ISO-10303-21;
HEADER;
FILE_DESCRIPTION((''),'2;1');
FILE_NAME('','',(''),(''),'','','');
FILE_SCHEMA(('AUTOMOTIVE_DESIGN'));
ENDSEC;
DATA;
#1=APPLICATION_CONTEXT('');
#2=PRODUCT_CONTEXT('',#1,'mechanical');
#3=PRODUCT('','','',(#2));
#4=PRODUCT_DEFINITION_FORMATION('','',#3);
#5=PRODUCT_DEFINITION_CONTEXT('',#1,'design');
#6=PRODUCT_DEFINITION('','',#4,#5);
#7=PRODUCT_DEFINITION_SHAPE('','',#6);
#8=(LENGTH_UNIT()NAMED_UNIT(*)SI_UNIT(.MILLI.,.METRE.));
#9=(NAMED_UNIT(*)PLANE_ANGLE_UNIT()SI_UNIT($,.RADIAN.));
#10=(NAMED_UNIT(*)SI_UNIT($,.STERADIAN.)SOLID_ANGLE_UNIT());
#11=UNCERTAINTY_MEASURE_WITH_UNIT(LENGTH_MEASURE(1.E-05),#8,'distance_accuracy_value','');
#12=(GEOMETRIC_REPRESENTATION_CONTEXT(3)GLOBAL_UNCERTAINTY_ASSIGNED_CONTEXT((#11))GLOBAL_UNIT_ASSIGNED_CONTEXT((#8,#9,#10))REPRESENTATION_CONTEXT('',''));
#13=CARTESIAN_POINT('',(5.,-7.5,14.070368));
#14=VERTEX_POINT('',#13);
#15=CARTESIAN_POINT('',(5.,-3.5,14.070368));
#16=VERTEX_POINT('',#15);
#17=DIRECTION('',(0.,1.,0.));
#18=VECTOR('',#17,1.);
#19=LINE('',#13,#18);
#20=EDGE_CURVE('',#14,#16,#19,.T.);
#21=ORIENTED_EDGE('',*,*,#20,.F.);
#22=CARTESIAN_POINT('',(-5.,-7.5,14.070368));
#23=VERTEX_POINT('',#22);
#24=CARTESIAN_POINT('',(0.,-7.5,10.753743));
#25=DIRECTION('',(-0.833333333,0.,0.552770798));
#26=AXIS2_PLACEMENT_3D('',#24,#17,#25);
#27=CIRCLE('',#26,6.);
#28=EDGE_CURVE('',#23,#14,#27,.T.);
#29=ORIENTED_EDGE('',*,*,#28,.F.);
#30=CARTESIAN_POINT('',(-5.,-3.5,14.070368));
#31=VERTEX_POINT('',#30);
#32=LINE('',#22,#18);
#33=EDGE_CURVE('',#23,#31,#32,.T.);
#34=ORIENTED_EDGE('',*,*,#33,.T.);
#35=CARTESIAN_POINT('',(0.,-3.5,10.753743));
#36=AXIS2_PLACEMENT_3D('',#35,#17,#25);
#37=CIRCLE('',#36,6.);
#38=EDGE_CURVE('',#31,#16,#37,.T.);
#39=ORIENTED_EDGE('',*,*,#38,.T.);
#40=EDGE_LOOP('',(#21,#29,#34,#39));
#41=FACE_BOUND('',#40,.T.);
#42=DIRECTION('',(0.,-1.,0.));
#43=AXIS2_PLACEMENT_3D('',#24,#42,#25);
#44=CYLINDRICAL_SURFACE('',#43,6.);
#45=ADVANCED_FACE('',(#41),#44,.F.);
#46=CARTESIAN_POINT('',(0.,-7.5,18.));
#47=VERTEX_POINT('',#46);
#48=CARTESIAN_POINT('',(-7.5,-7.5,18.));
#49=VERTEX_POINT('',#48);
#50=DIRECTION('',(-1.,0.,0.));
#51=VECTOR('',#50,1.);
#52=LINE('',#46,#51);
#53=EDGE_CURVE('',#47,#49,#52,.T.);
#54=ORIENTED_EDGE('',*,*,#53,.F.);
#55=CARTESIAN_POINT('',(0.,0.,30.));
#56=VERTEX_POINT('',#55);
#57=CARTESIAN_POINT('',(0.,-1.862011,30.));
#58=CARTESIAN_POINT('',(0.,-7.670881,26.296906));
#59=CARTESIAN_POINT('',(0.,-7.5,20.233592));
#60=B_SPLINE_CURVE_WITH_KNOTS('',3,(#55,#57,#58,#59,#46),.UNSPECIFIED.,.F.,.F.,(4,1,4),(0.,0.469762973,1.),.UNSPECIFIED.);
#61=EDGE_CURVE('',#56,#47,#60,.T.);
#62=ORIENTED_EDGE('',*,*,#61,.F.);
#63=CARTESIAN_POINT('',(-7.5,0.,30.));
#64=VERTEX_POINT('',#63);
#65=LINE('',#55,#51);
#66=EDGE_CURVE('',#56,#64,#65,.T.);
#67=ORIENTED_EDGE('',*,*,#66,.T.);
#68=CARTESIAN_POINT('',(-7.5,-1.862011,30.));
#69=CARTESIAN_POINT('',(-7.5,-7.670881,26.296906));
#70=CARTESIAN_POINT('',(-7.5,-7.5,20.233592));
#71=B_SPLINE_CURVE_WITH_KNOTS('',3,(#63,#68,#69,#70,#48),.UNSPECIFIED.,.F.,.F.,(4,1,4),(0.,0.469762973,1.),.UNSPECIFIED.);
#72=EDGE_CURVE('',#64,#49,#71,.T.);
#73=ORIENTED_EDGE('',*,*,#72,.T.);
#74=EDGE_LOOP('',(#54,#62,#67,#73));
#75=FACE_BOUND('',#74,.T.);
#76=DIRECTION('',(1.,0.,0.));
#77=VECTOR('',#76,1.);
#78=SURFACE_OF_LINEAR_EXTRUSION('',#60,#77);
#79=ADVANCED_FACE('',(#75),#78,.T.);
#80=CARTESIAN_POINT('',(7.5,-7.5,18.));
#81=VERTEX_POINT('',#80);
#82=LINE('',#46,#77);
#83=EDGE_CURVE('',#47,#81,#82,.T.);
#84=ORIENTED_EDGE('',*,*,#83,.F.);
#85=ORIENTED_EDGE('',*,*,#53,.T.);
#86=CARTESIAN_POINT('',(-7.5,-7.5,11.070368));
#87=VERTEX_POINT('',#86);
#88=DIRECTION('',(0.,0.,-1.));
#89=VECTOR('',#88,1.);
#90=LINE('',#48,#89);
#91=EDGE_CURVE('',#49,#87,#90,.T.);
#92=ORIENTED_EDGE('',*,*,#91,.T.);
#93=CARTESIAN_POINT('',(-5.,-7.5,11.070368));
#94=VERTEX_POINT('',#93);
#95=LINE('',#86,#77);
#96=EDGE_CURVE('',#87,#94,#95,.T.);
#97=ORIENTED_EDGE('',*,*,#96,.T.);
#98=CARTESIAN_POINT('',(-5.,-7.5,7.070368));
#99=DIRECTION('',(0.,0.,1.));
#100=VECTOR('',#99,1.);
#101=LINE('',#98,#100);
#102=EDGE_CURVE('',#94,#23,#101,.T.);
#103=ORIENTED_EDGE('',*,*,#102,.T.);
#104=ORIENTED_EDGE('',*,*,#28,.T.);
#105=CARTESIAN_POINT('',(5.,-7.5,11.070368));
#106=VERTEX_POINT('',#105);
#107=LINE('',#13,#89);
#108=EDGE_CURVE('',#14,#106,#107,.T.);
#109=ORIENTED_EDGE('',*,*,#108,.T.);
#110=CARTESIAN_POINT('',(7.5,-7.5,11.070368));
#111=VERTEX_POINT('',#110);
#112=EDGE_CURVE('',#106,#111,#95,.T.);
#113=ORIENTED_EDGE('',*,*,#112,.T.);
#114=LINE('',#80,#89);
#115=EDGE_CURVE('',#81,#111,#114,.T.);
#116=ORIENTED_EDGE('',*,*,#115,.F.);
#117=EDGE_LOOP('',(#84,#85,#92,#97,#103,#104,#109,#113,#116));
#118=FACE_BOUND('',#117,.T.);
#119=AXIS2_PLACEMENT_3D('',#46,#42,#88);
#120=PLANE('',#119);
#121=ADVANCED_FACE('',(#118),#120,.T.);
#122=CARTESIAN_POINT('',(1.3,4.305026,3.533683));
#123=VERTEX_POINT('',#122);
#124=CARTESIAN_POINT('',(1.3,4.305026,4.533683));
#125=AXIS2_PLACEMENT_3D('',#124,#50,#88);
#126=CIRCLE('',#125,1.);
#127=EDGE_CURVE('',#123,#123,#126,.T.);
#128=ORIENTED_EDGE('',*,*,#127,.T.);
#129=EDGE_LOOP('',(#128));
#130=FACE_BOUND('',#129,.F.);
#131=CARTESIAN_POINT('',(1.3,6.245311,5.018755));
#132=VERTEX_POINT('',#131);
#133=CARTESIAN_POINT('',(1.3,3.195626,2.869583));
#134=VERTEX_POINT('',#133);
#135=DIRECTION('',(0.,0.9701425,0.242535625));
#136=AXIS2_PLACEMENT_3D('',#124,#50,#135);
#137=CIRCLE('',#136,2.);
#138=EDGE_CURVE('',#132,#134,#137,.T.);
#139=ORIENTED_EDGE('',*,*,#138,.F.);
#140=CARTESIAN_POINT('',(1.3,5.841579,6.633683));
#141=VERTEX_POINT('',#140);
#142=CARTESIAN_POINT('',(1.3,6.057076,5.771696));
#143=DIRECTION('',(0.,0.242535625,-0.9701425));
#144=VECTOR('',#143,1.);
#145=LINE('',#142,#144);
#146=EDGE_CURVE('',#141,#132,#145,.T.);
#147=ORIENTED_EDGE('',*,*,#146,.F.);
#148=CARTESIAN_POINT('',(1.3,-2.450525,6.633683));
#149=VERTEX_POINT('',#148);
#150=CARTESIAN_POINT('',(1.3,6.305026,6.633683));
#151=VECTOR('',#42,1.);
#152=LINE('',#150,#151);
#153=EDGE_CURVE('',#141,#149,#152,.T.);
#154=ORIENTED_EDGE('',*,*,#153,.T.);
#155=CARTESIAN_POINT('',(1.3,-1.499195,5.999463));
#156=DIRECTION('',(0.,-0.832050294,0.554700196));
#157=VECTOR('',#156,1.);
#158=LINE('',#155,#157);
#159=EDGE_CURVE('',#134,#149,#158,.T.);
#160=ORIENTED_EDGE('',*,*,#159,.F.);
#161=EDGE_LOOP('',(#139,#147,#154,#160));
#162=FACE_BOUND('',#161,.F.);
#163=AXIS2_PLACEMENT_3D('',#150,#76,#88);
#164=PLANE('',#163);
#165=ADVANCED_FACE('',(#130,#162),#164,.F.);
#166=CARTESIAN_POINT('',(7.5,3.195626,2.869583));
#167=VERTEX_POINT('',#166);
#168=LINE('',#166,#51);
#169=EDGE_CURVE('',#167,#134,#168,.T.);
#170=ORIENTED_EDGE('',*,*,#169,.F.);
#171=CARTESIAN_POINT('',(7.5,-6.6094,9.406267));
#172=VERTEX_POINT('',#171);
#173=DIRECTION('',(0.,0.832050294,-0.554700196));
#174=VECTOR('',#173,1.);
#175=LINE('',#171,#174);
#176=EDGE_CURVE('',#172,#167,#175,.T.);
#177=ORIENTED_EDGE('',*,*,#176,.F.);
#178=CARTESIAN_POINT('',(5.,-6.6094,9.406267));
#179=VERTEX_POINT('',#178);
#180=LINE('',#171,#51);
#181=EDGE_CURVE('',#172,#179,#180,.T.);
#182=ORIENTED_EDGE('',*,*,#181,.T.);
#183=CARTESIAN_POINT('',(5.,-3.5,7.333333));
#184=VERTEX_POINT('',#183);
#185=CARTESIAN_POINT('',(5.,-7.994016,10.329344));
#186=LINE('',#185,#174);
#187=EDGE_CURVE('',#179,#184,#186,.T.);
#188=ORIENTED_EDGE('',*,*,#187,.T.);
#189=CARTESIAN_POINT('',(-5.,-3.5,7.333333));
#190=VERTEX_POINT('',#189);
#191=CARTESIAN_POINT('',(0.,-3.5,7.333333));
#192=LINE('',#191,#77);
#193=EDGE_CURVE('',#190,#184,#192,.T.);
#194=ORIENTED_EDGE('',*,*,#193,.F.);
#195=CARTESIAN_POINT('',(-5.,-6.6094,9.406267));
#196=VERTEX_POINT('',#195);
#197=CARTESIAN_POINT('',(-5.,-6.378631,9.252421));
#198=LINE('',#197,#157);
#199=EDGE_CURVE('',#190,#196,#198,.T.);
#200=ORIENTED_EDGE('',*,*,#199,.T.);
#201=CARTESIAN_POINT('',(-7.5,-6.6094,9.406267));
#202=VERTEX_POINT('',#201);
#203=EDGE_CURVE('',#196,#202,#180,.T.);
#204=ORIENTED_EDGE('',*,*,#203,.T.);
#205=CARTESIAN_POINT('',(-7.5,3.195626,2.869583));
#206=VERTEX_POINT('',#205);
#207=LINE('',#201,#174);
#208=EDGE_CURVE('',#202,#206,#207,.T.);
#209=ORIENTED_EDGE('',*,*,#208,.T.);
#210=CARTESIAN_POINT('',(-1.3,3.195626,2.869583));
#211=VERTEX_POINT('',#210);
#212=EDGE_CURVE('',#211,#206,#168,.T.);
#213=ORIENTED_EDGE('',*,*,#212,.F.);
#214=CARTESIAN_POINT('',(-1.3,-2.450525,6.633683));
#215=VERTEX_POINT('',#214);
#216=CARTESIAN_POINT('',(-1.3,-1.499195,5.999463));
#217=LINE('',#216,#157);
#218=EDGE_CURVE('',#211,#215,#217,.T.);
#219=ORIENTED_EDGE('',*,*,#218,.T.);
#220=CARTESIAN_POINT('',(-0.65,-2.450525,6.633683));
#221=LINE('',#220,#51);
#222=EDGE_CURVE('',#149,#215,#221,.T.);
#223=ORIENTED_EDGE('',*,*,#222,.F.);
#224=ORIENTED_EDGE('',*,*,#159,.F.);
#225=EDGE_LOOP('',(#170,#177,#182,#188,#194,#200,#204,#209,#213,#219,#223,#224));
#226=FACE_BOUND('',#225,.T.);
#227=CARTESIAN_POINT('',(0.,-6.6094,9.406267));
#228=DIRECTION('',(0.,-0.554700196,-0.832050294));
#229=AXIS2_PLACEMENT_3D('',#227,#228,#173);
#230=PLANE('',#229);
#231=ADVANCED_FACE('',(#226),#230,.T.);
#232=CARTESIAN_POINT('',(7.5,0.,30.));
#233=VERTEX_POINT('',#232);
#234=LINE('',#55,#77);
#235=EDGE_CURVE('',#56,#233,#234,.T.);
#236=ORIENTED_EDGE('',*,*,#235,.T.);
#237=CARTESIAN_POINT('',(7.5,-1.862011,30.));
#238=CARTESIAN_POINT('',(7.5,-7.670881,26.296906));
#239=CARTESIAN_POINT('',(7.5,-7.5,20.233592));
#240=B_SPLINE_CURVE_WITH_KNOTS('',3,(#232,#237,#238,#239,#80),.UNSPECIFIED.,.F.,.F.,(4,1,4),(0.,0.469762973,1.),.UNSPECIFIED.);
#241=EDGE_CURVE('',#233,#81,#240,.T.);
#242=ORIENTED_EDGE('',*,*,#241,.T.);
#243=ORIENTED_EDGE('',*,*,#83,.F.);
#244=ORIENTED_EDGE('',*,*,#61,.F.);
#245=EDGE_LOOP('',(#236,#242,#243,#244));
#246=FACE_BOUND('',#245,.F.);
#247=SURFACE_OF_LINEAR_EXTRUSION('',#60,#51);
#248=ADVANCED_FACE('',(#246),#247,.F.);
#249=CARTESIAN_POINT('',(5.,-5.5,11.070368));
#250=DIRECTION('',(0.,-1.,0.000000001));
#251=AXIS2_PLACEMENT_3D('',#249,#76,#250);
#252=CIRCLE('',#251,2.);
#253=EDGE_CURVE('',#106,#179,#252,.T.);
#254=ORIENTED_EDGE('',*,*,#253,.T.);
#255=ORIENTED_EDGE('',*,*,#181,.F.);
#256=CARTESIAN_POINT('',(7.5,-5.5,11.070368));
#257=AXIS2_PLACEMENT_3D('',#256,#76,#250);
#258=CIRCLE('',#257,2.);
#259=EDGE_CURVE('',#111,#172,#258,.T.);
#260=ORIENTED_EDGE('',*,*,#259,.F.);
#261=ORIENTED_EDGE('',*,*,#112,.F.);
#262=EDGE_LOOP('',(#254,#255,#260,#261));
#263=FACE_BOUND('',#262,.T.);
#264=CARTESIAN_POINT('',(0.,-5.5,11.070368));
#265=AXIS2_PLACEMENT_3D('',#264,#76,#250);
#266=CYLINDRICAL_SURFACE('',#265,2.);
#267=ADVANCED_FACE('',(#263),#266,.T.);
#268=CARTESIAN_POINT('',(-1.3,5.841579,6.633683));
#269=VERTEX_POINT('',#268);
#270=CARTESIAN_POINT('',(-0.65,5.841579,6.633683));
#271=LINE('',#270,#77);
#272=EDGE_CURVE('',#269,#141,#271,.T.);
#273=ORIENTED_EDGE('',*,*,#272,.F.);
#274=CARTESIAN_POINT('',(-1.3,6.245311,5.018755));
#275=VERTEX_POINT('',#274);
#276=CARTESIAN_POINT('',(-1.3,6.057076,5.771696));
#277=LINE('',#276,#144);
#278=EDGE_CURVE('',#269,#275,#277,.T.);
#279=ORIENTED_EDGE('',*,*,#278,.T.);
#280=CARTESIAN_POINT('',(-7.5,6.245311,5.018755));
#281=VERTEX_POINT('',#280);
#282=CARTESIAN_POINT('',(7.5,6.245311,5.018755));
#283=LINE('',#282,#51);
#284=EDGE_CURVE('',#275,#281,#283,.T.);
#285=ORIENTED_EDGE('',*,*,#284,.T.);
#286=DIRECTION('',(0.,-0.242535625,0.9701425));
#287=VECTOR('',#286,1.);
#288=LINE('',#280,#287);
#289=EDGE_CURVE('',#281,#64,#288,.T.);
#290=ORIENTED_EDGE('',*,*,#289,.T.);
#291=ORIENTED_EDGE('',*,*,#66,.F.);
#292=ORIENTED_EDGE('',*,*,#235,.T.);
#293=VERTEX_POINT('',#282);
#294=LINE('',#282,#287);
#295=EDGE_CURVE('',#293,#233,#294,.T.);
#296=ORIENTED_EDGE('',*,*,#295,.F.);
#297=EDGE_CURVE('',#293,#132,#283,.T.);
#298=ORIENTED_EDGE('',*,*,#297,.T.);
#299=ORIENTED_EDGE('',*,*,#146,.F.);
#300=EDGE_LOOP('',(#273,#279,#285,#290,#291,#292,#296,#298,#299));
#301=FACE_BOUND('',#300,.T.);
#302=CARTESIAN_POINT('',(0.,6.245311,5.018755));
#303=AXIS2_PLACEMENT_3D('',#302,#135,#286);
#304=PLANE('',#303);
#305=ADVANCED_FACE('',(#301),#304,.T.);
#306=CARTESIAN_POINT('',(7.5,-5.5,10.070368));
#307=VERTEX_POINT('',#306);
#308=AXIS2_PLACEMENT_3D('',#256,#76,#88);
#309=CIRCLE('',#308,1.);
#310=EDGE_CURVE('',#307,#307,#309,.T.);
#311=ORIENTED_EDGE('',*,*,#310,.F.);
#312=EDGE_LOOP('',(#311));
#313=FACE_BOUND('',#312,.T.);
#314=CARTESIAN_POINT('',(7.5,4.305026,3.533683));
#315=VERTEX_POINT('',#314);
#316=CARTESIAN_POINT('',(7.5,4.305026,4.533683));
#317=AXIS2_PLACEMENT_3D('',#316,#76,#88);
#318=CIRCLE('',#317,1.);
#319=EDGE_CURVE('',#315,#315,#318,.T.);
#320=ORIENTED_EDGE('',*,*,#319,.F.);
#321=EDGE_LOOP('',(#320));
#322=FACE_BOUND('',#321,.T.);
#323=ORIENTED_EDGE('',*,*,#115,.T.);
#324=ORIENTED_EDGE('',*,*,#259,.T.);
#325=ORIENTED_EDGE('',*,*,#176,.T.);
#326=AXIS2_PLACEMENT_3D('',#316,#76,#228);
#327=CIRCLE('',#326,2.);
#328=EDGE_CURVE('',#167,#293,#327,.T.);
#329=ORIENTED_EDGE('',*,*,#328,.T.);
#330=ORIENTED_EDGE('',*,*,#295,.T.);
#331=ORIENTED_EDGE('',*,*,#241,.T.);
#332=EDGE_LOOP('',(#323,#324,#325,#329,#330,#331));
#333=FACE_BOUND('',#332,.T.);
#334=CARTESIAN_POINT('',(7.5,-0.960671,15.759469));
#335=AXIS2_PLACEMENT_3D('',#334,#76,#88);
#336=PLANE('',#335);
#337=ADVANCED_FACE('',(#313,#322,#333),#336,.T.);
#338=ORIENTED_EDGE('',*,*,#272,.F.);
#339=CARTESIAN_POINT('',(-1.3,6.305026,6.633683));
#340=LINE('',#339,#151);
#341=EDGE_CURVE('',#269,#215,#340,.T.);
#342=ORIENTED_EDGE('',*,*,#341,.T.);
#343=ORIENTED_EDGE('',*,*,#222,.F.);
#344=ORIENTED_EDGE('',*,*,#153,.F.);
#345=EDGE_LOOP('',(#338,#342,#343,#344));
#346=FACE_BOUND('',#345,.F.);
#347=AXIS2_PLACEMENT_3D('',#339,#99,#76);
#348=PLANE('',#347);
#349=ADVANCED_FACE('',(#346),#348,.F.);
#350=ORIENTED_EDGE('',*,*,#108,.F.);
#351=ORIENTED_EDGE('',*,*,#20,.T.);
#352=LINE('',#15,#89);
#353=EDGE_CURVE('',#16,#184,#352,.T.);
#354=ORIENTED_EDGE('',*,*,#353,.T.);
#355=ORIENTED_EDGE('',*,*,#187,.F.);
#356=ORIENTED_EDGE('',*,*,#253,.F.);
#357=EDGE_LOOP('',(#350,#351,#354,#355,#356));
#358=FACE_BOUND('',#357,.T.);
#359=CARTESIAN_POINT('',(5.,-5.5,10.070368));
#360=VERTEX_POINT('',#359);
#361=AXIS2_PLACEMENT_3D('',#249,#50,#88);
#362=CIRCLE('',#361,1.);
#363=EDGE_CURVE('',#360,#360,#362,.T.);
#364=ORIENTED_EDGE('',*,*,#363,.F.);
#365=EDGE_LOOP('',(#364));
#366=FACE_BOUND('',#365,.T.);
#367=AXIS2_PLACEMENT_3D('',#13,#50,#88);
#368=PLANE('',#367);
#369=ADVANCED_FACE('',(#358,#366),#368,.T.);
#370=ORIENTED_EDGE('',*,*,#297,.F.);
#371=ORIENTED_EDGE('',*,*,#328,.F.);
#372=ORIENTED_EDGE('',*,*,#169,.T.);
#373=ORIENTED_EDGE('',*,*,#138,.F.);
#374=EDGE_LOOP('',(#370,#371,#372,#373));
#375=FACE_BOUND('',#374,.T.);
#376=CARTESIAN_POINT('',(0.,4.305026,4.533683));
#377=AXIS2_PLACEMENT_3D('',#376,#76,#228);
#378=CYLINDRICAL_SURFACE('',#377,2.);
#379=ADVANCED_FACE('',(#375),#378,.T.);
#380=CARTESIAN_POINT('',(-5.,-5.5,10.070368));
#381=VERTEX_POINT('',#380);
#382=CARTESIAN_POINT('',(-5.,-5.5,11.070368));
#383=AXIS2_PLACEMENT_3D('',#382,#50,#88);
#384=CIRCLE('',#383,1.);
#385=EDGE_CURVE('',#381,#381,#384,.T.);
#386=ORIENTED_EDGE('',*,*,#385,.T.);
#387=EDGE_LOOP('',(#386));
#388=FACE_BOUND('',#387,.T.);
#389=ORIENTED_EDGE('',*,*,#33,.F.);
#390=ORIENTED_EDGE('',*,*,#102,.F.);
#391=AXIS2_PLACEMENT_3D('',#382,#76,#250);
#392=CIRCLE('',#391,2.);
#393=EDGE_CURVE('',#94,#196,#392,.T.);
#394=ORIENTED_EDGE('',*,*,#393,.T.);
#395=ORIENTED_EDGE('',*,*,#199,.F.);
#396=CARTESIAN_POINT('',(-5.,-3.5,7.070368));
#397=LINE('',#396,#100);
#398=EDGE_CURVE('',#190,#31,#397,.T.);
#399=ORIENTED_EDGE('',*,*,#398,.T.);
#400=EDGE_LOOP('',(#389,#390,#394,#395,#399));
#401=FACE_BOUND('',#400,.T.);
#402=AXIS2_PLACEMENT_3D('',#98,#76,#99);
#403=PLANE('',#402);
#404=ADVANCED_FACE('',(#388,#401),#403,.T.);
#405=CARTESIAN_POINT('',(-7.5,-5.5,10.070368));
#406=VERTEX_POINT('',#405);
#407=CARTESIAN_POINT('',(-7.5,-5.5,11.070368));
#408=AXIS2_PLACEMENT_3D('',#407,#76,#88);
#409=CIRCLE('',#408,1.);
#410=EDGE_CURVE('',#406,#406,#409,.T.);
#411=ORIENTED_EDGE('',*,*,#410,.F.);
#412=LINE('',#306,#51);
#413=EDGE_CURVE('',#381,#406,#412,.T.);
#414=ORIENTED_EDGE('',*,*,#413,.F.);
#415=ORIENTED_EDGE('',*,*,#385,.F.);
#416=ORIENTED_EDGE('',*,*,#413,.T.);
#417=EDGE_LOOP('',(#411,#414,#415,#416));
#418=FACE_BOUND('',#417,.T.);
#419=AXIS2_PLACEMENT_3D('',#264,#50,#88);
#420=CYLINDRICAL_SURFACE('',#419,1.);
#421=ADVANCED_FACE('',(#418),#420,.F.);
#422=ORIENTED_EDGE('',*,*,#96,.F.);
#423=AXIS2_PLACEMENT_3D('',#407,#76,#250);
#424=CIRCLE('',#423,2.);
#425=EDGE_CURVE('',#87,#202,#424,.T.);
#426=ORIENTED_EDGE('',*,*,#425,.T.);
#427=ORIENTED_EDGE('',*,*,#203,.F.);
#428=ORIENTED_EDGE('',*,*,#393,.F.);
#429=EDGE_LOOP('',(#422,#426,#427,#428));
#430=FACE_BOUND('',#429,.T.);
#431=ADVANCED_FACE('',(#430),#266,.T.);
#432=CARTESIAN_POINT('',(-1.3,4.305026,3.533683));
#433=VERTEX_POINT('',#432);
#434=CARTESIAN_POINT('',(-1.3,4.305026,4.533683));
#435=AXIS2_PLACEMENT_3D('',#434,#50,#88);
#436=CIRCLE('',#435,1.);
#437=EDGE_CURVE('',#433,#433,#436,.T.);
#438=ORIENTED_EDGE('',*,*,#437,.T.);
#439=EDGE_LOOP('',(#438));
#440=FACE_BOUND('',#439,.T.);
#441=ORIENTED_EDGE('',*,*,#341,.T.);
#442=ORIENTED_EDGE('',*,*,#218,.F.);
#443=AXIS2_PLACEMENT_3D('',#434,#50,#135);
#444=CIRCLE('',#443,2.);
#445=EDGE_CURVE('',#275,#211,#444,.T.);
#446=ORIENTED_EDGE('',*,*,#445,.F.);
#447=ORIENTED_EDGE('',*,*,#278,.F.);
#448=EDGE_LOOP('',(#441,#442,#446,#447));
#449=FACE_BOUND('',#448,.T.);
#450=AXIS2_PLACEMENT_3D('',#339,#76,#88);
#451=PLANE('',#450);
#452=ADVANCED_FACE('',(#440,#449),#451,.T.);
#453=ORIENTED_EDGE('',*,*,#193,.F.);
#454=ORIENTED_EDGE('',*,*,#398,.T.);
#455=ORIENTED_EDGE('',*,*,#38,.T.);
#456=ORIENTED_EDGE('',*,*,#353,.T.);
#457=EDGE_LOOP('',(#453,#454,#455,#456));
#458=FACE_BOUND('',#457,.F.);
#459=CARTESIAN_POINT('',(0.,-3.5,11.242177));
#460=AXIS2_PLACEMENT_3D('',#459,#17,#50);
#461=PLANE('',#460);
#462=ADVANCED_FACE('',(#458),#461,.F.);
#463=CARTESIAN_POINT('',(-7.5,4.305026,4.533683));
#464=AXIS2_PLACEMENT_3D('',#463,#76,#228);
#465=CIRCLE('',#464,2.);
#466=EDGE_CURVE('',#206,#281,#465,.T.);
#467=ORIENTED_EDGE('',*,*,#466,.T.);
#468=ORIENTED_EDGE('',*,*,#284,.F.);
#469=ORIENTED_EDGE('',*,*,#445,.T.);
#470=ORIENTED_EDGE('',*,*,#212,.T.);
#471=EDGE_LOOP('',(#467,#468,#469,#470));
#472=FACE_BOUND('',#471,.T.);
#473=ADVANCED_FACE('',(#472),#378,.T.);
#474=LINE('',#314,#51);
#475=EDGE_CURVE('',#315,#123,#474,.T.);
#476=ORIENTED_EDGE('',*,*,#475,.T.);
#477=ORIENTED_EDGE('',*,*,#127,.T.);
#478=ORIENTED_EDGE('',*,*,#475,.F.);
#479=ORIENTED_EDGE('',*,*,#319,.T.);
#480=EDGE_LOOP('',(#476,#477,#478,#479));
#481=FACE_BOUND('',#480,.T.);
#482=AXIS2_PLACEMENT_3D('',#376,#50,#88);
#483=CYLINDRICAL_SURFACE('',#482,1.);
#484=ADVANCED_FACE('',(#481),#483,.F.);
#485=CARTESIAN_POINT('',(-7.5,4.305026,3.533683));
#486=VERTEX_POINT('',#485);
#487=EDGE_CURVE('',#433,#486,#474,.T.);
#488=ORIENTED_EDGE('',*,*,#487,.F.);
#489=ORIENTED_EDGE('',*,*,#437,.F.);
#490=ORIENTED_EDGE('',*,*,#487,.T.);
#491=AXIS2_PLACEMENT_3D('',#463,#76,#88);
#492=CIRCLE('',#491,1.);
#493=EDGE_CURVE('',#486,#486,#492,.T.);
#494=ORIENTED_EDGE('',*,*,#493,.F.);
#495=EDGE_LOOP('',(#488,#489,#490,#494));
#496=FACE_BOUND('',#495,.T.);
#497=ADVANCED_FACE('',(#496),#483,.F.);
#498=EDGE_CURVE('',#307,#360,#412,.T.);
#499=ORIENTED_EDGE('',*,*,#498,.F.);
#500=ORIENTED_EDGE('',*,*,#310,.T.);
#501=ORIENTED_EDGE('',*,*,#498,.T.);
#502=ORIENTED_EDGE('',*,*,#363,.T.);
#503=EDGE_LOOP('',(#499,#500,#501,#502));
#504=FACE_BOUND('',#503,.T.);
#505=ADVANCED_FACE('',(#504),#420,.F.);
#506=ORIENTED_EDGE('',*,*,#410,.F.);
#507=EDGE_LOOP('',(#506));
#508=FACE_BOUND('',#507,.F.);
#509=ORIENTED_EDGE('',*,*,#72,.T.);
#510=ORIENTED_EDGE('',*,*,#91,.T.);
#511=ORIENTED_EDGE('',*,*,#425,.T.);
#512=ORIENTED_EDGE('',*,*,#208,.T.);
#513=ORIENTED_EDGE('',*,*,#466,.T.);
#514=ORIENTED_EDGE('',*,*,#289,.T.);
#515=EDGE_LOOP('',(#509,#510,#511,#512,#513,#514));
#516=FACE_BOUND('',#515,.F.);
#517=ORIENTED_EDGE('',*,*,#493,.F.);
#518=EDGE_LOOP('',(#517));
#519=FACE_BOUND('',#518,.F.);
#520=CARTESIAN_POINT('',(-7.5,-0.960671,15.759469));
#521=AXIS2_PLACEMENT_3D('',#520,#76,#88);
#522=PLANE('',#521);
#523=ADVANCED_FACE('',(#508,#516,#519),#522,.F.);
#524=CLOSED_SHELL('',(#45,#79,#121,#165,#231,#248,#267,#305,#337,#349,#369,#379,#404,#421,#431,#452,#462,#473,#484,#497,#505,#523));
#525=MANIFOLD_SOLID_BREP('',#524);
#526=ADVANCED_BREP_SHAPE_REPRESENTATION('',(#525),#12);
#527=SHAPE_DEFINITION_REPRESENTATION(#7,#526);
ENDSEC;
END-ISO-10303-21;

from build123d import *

# Parameters (mm, degrees)
SKETCH2_R           = 1
BOSS_EXTRUDE1_DEPTH = 7.5
SKETCH4_W           = 2.6
SKETCH4_H           = 4.1
CUT_EXTRUDE1_DEPTH  = 15
CUT_EXTRUDE3_DEPTH  = 4


with BuildPart() as part:
    # Sketch2 → Boss-Extrude1 (new body, symmetric)
    with BuildSketch(Plane(origin=(0, 0, 0), x_dir=(0, 0, -1), z_dir=(1, 0, 0))):
        with BuildLine():
            Line((-5.018754521, 6.24531137), (-30, 0))
            add(Edge.make_bspline(
                [(-30, 0), (-30, -1.862010614), (-26.296905553, -7.670881077), (-20.233591891, -7.5), (-18, -7.5)],
                knots=[0, 0, 0, 0, 0.469762973, 1, 1, 1, 1], degree=3))
            Line((-18, -7.5), (-11.070367517, -7.5))
            ThreePointArc((-11.070367517, -7.5), (-10.126651666, -7.263349198), (-9.406266928, -6.609400392))
            Line((-9.406266928, -6.609400392), (-2.869582682, 3.195625977))
            ThreePointArc((-2.869582682, 3.195625977), (-2.89885215, 5.457123243), (-5.018754521, 6.24531137))
        make_face()
        with Locations((-4.533683271, 4.30502637)):
            Circle(SKETCH2_R, mode=Mode.SUBTRACT)
        with Locations((-11.070367517, -5.5)):
            Circle(SKETCH2_R, mode=Mode.SUBTRACT)
    extrude(amount=BOSS_EXTRUDE1_DEPTH, both=True)

    # Sketch4 → Cut-Extrude1 (cut)
    with BuildSketch(Plane(origin=(0, 6.30502637, 0), x_dir=(1, 0, 0), z_dir=(0, 1, 0))):
        with Locations((0, -4.583683271)):
            Rectangle(SKETCH4_W, SKETCH4_H)
    extrude(amount=-CUT_EXTRUDE1_DEPTH, mode=Mode.SUBTRACT)

    # Sketch5 → Cut-Extrude3 (cut)
    with BuildSketch(Plane.XZ.offset(7.5)):
        with BuildLine():
            Line((5, 7.070367517), (-5, 7.070367517))
            Line((-5, 7.070367517), (-5, 14.070367517))
            ThreePointArc((-5, 14.070367517), (0, 16.753742727), (5, 14.070367517))
            Line((5, 14.070367517), (5, 7.070367517))
        make_face()
    extrude(amount=-CUT_EXTRUDE3_DEPTH, mode=Mode.SUBTRACT)


solid = part.part
